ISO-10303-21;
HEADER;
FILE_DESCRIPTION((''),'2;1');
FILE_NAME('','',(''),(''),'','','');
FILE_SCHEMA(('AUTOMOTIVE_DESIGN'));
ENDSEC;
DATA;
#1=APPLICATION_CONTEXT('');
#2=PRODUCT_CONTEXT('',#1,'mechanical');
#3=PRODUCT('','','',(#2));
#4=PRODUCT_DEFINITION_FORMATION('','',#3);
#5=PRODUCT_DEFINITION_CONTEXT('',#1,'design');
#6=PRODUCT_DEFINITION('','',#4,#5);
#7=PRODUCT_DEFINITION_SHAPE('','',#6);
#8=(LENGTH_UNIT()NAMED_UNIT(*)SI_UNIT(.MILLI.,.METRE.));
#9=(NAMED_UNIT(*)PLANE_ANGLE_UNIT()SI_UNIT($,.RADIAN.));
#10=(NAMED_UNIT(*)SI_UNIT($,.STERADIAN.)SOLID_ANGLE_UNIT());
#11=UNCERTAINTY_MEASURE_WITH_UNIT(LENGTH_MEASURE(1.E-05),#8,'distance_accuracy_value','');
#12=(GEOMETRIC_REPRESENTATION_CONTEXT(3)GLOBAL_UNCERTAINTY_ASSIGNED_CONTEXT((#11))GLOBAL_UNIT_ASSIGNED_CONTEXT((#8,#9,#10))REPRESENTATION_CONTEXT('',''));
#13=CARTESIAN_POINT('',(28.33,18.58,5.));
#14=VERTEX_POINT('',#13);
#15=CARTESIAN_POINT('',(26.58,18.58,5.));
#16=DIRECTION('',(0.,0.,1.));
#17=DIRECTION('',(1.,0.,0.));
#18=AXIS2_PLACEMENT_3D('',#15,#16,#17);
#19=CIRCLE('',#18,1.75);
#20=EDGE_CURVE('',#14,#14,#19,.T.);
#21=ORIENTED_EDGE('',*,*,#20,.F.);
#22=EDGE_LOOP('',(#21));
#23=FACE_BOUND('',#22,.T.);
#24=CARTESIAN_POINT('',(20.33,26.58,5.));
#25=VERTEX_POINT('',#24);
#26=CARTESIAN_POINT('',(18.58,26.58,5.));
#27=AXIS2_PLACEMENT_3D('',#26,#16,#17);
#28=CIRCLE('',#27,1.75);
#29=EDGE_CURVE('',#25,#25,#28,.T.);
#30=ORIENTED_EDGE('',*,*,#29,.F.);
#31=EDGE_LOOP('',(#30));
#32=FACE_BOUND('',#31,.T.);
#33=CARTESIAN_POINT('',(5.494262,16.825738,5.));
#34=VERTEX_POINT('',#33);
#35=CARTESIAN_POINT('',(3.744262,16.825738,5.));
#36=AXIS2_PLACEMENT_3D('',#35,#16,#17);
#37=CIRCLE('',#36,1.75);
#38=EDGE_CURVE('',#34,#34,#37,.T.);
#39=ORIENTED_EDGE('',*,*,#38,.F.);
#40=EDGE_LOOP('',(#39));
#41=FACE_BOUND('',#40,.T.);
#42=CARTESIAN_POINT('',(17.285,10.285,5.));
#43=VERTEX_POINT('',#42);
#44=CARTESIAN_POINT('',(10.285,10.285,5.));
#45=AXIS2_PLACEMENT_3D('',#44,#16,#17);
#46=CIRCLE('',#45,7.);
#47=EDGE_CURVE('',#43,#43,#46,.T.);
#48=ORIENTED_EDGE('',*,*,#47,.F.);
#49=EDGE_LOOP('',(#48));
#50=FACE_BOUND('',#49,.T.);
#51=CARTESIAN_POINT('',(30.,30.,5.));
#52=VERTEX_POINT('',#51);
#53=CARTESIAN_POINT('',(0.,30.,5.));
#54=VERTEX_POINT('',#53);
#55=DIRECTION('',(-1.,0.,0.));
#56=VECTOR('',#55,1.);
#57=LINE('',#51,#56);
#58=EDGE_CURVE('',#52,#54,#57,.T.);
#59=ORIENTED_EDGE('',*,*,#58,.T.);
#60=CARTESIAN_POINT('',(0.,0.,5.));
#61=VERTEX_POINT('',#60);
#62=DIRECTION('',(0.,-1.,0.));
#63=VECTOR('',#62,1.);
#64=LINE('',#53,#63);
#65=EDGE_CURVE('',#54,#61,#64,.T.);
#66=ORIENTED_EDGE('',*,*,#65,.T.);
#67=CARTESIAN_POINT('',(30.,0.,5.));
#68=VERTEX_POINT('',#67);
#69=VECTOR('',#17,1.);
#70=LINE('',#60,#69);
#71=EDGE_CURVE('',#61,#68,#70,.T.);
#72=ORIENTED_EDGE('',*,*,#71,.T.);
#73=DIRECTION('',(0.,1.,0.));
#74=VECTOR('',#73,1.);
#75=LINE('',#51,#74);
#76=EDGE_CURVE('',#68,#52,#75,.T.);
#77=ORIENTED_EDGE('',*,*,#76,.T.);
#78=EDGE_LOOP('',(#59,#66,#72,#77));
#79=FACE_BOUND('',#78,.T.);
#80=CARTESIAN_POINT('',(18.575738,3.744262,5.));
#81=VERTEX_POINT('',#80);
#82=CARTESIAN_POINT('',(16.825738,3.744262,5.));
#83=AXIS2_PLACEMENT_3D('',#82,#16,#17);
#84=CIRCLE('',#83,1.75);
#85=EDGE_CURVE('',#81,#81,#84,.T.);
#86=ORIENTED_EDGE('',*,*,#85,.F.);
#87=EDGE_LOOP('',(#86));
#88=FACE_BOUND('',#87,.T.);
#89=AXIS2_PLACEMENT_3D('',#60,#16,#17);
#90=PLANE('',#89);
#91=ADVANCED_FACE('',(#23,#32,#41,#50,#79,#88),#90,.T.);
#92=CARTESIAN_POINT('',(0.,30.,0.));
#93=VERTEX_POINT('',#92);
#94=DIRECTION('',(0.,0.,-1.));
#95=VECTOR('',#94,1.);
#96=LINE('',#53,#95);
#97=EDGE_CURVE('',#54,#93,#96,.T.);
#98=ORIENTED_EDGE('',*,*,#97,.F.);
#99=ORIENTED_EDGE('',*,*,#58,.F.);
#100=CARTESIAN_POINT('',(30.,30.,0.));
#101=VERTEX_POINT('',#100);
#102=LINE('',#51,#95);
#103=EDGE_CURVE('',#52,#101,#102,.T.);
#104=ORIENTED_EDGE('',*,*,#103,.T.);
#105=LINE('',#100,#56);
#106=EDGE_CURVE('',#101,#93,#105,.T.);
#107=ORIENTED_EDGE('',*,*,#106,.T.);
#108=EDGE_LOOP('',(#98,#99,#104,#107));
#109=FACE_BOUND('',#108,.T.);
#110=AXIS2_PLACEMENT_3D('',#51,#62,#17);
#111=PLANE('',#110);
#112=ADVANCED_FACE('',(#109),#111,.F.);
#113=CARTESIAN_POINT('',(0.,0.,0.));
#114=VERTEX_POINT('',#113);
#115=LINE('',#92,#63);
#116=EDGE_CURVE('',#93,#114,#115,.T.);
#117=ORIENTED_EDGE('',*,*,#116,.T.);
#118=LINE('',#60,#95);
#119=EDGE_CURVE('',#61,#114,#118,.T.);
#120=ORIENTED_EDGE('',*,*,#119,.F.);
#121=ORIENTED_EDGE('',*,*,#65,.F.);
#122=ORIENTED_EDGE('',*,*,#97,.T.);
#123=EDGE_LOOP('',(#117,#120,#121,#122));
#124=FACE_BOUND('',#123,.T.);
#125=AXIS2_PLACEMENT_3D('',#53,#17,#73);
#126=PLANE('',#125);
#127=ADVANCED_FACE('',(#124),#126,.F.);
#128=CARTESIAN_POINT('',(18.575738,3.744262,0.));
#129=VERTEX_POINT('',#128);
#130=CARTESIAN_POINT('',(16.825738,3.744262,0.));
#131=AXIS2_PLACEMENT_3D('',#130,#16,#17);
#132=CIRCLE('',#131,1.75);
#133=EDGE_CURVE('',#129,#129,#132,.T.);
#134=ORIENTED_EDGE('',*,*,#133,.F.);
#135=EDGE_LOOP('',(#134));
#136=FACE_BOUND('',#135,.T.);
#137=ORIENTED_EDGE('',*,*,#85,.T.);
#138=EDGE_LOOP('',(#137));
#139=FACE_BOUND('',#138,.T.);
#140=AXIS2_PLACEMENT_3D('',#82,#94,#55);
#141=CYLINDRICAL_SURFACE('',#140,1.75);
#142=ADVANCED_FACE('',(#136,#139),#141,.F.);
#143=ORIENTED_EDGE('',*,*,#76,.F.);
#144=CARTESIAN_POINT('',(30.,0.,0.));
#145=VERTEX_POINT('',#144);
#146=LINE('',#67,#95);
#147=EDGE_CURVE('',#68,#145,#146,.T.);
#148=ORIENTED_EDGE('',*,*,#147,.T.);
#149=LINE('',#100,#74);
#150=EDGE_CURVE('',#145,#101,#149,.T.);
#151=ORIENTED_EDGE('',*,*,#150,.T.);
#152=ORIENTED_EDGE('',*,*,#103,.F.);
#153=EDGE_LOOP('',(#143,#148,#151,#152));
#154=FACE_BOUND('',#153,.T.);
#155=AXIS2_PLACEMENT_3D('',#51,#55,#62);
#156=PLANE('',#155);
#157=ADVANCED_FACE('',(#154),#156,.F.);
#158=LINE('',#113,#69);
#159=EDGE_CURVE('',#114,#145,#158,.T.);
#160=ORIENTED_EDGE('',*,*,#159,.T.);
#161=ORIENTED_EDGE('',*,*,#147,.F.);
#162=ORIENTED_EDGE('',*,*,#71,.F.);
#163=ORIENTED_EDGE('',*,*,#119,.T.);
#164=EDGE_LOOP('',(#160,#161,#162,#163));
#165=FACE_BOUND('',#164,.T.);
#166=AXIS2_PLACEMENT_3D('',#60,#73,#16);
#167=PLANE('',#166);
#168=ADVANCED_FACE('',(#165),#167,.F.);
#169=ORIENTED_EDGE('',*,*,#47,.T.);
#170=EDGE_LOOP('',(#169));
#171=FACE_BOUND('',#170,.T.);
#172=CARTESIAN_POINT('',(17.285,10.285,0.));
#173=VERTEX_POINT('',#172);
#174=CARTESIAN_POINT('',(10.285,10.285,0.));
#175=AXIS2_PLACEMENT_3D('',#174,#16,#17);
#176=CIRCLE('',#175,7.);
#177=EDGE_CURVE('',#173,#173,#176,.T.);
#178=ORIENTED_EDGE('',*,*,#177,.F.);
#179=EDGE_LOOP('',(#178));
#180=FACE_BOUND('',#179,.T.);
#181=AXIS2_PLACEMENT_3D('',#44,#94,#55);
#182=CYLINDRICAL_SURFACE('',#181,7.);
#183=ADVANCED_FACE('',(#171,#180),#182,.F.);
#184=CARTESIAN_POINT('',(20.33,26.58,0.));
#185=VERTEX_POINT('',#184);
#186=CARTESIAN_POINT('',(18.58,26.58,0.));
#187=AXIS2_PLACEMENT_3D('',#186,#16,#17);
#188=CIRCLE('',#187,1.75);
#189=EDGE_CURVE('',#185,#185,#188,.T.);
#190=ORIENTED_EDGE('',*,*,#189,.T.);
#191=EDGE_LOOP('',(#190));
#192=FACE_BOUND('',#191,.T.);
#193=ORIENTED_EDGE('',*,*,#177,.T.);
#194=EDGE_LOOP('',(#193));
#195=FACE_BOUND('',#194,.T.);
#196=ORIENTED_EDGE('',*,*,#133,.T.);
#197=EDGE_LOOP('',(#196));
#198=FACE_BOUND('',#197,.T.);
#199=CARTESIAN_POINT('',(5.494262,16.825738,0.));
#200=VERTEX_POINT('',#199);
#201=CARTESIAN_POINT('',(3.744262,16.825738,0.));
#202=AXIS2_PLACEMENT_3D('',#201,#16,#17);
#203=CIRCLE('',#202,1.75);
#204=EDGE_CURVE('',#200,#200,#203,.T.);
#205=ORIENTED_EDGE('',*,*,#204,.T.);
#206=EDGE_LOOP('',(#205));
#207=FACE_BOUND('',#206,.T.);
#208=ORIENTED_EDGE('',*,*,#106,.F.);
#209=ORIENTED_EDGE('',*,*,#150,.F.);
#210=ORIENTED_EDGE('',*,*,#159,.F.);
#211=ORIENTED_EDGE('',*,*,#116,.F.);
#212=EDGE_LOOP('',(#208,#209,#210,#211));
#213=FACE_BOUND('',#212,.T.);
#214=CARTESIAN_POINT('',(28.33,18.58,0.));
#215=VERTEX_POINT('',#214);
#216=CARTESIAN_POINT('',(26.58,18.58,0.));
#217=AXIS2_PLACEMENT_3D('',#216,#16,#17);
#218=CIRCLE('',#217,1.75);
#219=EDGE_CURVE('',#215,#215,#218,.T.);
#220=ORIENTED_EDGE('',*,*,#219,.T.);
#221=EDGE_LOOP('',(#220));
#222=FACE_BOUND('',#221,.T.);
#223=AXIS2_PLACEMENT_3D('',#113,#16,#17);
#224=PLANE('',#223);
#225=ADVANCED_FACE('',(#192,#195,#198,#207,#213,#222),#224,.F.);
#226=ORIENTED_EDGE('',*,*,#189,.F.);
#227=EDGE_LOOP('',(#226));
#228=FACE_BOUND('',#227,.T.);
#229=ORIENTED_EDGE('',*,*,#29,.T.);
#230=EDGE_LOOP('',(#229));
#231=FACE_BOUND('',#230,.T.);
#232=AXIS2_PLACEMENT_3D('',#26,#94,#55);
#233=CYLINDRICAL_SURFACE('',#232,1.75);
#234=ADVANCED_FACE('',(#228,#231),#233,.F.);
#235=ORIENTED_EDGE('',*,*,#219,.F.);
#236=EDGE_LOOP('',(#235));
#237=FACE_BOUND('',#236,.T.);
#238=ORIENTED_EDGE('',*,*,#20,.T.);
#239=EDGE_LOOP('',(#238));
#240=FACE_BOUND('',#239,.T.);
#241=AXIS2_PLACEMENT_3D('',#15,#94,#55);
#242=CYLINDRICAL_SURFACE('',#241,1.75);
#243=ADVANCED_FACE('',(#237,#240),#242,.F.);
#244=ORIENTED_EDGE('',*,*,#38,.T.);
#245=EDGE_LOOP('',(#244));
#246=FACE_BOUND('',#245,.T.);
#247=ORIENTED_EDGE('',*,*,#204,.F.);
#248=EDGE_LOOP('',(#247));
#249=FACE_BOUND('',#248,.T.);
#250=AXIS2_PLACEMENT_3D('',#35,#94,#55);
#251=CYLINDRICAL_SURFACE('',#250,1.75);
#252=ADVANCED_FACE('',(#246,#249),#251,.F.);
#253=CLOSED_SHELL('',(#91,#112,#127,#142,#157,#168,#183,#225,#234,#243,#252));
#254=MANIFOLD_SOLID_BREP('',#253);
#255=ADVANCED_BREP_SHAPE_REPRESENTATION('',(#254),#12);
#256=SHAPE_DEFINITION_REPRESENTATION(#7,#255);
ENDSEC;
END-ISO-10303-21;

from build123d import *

# Parameters (mm, degrees)
SCHIZZO1_W                   = 30
SCHIZZO1_H                   = 30
SCHIZZO1_R                   = 1.75
SCHIZZO1_R_2                 = 7
ESTRUSIONE_ESTRUSIONE1_DEPTH = 5


with BuildPart() as part:
    # Schizzo1 → Estrusione-Estrusione1 (new body)
    with BuildSketch(Plane.XY):
        with Locations((15, 15)):
            Rectangle(SCHIZZO1_W, SCHIZZO1_H)
        with Locations((3.744262274, 16.825737726)):
            Circle(SCHIZZO1_R, mode=Mode.SUBTRACT)
        with Locations((16.825737726, 3.744262274)):
            Circle(SCHIZZO1_R, mode=Mode.SUBTRACT)
        with Locations((18.58, 26.58)):
            Circle(SCHIZZO1_R, mode=Mode.SUBTRACT)
        with Locations((26.58, 18.58)):
            Circle(SCHIZZO1_R, mode=Mode.SUBTRACT)
        with Locations((10.285, 10.285)):
            Circle(SCHIZZO1_R_2, mode=Mode.SUBTRACT)
    extrude(amount=ESTRUSIONE_ESTRUSIONE1_DEPTH)


solid = part.part
